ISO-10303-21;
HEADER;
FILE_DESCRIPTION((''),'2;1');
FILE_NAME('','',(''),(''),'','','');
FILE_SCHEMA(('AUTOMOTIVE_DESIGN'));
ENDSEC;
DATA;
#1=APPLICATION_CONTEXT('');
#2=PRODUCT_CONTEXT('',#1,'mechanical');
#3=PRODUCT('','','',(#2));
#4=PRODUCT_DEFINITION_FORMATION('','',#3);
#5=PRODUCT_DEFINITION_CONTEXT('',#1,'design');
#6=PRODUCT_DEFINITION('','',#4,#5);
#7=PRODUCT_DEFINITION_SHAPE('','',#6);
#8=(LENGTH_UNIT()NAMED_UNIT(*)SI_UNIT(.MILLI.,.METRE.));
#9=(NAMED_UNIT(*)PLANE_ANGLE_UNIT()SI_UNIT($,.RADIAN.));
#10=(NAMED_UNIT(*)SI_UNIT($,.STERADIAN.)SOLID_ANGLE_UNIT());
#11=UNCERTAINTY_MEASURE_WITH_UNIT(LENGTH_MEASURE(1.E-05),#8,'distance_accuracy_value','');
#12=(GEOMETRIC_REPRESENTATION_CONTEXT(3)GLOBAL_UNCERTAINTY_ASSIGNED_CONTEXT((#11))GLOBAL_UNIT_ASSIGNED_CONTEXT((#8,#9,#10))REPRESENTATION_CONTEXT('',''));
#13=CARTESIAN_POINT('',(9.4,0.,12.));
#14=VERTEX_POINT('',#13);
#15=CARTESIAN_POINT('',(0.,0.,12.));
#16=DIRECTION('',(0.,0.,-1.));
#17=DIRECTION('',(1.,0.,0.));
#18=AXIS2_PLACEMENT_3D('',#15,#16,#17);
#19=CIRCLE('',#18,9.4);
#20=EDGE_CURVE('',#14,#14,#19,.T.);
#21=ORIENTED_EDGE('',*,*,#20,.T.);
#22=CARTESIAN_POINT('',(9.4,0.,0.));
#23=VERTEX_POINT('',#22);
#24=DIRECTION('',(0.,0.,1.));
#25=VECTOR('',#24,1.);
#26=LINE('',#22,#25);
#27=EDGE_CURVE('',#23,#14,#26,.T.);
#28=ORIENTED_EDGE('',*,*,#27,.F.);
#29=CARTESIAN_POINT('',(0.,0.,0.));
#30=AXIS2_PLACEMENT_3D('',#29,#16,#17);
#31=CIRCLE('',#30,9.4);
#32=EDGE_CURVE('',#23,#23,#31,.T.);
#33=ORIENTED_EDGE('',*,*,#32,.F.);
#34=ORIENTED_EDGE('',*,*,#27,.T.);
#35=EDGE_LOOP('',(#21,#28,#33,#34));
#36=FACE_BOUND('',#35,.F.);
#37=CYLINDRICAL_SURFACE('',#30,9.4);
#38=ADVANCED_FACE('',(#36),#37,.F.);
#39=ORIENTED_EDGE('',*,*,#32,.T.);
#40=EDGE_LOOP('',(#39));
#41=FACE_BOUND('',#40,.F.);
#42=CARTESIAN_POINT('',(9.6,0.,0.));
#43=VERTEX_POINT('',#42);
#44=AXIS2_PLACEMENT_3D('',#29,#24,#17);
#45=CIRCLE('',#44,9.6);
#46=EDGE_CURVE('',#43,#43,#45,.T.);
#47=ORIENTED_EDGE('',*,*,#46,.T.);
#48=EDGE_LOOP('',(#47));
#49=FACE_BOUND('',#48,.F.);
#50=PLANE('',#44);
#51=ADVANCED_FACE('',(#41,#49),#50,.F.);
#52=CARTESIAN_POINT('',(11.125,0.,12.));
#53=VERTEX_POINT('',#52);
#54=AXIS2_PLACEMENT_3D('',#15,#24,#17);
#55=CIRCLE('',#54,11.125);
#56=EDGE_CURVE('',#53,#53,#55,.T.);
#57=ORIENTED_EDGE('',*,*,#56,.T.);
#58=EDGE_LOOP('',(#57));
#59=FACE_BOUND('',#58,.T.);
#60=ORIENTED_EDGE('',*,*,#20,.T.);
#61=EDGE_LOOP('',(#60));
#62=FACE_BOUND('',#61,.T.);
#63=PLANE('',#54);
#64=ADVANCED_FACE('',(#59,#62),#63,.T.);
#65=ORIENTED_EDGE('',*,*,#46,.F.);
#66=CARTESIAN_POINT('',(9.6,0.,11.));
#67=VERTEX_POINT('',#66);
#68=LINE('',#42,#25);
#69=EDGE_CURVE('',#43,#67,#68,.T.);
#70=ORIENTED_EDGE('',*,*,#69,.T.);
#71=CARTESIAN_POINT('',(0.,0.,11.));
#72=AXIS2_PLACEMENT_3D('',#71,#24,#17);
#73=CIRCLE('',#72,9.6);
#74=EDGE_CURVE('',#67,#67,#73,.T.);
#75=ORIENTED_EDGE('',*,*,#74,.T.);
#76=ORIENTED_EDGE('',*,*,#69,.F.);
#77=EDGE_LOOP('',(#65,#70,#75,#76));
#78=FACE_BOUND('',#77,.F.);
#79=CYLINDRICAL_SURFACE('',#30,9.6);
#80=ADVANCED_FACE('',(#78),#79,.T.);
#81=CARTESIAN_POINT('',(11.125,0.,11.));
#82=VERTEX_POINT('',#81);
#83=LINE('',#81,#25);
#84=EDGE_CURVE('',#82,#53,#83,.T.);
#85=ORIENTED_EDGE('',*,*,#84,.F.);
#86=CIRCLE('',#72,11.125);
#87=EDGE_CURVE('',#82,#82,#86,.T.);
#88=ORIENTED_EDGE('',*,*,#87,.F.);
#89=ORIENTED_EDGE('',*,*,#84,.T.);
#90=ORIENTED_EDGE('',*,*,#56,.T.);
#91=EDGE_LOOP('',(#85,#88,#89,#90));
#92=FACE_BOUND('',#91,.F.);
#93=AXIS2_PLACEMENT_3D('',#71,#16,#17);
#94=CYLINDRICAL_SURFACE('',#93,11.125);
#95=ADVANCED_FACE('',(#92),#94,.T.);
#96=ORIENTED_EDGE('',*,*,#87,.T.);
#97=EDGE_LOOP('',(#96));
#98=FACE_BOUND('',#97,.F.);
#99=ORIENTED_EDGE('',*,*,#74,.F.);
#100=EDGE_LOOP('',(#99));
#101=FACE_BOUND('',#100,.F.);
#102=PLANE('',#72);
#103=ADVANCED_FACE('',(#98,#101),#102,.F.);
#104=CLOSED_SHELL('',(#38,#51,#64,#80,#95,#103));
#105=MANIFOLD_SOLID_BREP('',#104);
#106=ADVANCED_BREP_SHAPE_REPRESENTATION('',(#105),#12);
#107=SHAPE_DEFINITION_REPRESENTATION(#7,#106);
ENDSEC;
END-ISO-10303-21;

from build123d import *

# Parameters (mm, degrees)
F0_R     = 9.6
F1_DEPTH = 11
F2_R     = 11.125
F3_DEPTH = 1
F4_R     = 9.4
F5_DEPTH = 12.001


with BuildPart() as f1:
    # F0 (on Top) → F1 (new body)
    with BuildSketch(Plane.XY):
        Circle(F0_R)
    extrude(amount=F1_DEPTH)

    # F2 (on face) → F3 (join)
    with BuildSketch(Plane.XY.offset(11)):
        Circle(F2_R)
    extrude(amount=F3_DEPTH)

    # F4 (on face) → F5 (cut, through all)
    with BuildSketch(Plane(origin=(0, 0, 0), x_dir=(1, 0, 0), z_dir=(0, 0, -1))):
        Circle(F4_R)
    extrude(amount=-F5_DEPTH, mode=Mode.SUBTRACT)


solid = f1.part
